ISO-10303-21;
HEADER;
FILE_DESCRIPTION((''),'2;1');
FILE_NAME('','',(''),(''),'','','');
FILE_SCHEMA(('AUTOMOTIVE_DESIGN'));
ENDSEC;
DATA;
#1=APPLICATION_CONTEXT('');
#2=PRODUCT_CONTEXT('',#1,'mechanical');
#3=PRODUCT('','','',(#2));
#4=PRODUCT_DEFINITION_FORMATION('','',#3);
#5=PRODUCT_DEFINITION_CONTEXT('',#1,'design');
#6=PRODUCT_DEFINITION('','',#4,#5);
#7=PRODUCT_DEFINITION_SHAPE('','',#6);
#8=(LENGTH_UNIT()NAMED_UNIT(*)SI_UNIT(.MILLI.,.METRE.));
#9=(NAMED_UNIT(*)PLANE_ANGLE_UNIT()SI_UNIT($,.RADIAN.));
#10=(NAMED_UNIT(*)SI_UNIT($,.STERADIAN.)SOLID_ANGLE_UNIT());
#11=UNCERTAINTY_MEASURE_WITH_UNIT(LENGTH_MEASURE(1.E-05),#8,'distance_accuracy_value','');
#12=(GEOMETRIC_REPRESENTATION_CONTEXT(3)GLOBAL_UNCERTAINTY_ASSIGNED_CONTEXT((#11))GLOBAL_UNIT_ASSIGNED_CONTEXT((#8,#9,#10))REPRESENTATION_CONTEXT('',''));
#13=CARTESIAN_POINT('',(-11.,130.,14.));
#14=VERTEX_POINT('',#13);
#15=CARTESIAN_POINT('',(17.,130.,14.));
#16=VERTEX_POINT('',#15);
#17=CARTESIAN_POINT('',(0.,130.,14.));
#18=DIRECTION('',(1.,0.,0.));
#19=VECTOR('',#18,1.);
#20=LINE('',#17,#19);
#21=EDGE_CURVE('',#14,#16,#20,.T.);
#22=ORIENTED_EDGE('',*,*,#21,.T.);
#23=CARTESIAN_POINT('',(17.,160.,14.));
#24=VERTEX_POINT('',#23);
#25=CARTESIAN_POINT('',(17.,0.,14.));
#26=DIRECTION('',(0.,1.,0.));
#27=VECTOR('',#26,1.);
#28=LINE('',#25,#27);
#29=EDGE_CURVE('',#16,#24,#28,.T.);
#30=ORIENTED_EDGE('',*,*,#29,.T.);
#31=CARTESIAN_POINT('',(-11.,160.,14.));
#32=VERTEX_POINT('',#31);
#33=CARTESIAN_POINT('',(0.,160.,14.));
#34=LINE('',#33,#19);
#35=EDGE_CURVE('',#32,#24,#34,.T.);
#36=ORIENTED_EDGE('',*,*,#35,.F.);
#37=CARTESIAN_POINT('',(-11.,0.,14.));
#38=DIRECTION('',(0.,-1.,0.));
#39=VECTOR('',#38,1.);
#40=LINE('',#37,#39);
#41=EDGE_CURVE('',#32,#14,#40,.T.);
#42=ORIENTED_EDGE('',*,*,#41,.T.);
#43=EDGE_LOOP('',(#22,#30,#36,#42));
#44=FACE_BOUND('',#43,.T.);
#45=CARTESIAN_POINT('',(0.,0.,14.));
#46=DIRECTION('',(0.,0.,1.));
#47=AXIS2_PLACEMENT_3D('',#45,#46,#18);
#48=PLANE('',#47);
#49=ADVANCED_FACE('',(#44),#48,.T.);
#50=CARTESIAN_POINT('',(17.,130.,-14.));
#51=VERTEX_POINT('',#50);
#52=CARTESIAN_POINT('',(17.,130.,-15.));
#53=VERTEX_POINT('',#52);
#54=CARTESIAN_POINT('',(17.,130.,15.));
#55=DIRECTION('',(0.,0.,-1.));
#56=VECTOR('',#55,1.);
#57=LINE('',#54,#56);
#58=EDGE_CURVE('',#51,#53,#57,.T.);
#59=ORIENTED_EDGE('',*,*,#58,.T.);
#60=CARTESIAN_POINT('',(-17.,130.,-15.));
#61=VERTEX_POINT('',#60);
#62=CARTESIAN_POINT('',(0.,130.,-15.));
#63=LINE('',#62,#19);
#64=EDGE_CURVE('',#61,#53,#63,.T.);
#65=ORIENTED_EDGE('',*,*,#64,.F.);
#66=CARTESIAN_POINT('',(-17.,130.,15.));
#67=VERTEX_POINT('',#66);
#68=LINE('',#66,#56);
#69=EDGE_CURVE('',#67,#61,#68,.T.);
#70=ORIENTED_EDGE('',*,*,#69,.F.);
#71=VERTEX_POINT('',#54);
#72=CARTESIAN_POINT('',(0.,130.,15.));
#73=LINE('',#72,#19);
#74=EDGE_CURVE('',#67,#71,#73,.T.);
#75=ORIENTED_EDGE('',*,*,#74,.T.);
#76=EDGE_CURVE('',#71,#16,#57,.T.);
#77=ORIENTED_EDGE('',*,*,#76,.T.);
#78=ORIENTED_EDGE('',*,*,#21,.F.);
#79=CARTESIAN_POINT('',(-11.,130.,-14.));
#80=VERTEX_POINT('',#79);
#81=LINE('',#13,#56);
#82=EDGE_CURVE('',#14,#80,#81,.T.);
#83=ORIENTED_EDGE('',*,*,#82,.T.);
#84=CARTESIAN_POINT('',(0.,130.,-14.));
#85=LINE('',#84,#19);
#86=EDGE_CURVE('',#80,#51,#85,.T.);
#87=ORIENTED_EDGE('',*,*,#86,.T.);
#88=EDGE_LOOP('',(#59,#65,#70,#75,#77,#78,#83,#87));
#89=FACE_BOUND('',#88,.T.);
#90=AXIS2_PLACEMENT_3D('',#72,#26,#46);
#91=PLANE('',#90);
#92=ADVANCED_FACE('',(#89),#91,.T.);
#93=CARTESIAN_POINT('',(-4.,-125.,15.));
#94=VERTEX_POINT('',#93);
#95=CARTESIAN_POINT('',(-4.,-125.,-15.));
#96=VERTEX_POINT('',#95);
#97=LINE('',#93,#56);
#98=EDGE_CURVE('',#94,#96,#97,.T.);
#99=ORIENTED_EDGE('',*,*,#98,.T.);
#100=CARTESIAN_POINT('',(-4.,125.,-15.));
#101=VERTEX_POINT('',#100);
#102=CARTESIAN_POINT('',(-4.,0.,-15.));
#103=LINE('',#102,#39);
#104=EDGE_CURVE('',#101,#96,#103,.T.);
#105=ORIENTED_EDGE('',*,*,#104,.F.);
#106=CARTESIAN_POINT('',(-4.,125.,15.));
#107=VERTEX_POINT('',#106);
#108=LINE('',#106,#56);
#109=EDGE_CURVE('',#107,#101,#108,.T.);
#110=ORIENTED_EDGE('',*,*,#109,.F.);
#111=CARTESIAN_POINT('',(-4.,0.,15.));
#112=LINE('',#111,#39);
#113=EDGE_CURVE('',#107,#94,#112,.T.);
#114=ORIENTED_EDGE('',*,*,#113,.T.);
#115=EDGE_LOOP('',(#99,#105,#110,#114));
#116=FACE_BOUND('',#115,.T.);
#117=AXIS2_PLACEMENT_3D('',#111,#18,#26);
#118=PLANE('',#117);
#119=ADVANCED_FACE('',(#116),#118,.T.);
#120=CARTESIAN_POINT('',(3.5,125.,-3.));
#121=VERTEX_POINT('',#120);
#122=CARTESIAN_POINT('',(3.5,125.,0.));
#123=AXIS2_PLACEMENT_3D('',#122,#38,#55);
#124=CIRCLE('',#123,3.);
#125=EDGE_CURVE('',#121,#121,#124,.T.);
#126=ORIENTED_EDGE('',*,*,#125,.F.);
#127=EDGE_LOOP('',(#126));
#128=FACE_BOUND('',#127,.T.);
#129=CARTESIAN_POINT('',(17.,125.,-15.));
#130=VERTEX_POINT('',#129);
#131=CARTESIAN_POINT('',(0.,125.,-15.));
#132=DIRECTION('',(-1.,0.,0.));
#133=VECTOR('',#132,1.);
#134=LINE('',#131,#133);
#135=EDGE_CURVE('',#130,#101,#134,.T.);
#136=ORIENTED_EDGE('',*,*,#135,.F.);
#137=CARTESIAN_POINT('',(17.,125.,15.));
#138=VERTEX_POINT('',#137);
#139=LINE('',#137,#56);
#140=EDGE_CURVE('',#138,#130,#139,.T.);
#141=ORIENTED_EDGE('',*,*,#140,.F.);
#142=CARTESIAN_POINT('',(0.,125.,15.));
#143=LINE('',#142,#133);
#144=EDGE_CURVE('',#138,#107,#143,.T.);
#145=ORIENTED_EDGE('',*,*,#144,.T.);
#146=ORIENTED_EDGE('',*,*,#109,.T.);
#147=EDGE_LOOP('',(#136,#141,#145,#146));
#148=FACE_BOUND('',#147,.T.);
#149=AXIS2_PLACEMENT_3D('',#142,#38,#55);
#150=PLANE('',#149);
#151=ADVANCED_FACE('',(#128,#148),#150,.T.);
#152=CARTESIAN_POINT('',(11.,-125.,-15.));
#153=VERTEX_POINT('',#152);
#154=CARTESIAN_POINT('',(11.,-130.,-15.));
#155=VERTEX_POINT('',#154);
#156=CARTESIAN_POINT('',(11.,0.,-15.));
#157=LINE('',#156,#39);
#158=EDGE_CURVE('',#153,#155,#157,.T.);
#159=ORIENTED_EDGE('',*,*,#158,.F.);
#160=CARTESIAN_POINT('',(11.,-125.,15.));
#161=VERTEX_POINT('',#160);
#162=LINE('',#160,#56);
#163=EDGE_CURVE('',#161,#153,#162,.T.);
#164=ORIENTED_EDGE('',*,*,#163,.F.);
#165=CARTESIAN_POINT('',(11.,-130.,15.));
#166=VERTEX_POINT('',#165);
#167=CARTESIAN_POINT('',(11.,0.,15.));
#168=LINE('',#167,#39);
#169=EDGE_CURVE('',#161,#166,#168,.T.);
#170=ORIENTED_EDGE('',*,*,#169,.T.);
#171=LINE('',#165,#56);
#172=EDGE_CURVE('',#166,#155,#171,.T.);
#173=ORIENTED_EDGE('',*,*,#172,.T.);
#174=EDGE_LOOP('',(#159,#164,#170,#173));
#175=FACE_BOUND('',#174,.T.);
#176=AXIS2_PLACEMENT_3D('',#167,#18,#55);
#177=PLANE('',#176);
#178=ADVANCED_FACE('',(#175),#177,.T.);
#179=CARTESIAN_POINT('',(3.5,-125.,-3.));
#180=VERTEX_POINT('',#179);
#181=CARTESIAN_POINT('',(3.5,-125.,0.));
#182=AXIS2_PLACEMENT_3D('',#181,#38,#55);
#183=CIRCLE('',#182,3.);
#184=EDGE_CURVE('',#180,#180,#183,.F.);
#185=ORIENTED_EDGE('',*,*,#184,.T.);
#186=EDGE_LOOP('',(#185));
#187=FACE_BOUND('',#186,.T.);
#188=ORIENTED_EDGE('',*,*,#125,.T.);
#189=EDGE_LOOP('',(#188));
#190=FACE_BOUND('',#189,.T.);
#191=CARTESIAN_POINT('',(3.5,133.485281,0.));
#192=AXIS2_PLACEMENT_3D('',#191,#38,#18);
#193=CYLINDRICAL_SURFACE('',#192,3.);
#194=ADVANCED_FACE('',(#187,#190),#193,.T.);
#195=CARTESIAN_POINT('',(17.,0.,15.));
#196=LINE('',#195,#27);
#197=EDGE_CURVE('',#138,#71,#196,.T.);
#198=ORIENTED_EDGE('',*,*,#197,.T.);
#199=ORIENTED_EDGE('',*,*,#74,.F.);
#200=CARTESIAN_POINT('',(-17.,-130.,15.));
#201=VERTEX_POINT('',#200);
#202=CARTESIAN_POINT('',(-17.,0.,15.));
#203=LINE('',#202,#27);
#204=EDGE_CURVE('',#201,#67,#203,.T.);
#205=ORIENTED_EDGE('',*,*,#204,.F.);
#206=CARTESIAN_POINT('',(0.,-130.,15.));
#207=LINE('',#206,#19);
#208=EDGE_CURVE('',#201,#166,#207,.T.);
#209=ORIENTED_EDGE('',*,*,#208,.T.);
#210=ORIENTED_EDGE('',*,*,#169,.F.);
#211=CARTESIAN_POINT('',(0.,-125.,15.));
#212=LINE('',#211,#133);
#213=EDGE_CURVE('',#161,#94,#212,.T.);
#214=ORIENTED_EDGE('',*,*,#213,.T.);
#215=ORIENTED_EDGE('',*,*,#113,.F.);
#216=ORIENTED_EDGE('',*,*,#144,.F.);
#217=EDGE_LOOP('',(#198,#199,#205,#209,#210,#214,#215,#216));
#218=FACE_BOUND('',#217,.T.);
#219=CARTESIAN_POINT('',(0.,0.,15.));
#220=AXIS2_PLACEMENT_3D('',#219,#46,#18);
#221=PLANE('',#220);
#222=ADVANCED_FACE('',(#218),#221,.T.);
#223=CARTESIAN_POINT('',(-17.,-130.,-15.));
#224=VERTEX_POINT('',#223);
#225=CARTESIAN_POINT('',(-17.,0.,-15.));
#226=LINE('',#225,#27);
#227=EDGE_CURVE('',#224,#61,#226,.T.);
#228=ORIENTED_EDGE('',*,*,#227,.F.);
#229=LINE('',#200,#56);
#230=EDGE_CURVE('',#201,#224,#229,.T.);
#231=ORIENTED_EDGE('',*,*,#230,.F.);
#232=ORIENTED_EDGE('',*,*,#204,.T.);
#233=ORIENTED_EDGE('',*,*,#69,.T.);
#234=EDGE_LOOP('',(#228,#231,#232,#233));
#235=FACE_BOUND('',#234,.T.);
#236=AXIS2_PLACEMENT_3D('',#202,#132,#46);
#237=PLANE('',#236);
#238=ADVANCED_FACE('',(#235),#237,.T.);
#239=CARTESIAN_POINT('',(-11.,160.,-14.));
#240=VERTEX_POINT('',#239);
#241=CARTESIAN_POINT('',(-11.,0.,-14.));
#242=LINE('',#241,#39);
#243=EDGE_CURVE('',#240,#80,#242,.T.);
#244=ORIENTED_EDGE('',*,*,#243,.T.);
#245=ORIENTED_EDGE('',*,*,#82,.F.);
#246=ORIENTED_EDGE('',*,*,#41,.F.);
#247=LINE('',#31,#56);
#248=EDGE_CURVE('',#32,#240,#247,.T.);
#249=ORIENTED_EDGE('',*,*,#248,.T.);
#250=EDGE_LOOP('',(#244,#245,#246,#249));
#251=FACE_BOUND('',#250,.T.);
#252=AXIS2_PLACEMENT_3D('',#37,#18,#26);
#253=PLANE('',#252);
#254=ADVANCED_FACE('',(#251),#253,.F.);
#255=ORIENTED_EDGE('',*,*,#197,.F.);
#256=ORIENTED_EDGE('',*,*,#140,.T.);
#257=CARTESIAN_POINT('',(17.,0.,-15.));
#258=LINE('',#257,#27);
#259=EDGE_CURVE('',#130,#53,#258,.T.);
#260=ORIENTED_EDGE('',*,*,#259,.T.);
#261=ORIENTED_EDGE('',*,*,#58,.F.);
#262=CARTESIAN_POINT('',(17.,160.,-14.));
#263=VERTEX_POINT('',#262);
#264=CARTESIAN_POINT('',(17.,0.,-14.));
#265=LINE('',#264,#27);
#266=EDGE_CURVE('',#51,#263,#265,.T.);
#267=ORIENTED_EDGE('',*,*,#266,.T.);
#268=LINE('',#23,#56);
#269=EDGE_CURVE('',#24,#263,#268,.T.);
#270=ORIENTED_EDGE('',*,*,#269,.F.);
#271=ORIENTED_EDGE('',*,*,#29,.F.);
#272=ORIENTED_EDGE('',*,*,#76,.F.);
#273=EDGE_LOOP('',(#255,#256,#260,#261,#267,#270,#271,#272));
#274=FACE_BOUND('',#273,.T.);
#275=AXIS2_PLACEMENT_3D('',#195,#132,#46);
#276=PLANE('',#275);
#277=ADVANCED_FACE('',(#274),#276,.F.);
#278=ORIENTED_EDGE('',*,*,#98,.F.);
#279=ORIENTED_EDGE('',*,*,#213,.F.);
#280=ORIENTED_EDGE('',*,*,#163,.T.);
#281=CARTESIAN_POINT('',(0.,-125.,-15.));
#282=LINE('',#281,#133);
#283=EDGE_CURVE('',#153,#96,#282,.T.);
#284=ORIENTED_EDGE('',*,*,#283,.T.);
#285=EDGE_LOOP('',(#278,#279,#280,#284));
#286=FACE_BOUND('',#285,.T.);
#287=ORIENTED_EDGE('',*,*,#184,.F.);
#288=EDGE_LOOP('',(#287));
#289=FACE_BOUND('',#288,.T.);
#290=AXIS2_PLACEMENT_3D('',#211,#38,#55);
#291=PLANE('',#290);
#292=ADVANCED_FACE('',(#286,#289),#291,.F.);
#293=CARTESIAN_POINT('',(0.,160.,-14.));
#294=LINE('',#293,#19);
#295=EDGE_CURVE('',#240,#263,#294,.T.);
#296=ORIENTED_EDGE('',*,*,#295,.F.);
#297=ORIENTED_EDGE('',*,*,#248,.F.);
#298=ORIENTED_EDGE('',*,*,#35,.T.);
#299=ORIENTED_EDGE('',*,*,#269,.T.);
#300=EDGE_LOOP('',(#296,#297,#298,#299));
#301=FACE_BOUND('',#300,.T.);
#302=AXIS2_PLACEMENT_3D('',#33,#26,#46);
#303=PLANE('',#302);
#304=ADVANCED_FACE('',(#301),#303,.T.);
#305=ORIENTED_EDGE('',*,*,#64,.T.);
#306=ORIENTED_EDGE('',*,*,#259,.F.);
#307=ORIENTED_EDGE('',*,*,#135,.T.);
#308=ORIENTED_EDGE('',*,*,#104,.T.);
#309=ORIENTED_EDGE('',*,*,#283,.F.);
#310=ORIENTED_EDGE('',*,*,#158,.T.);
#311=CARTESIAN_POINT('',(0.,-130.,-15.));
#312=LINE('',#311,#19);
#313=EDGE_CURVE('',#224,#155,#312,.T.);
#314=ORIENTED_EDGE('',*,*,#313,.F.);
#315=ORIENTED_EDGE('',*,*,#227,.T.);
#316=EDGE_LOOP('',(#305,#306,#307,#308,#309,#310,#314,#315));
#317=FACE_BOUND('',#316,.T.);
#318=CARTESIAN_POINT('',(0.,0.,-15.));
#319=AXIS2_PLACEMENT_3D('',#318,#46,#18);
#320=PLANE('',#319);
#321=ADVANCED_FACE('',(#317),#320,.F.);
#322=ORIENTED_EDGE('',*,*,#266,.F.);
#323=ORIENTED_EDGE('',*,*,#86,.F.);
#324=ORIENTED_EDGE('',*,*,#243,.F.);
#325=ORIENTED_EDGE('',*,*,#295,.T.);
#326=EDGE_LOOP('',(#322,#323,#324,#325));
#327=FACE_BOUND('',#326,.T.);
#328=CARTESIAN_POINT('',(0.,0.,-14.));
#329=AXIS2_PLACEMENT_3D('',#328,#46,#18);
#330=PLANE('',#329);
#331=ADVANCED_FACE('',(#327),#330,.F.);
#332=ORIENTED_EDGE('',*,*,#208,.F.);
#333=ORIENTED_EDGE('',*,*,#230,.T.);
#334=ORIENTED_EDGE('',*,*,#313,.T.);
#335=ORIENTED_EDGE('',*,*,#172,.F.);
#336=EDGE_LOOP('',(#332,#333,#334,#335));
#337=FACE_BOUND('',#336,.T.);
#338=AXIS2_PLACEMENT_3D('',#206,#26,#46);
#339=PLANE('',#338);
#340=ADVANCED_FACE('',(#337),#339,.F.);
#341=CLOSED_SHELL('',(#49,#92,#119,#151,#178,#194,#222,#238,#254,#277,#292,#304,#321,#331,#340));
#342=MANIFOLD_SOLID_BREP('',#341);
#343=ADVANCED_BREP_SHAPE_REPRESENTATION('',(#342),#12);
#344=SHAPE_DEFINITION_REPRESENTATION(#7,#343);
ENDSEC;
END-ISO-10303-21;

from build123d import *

# Parameters (mm, degrees)
SKETCH1_W           = 34
SKETCH1_H           = 5
SKETCH1_W_2         = 13
SKETCH1_H_2         = 250
BOSS_EXTRUDE1_DEPTH = 15
SKETCH1_3_W         = 28
SKETCH1_3_H         = 30
BOSS_EXTRUDE2_DEPTH = 14
SKETCH2_R           = 3
BOSS_EXTRUDE3_DEPTH = 250


with BuildPart() as part:
    # Sketch1 → Boss-Extrude1 (new, symmetric)
    with BuildSketch(Plane.XY):
        with Locations((0, 127.5)):
            Rectangle(SKETCH1_W, SKETCH1_H)
        with Locations((-10.5, 0)):
            Rectangle(SKETCH1_W_2, SKETCH1_H_2)
        Polygon((-4, -125), (-17, -125), (-17, -130), (11, -130), (11, -125), align=None)
    extrude(amount=BOSS_EXTRUDE1_DEPTH, both=True)

    # Sketch1<3> → Boss-Extrude2 (add, symmetric)
    with BuildSketch(Plane.XY):
        with Locations((3, 145)):
            Rectangle(SKETCH1_3_W, SKETCH1_3_H)
    extrude(amount=BOSS_EXTRUDE2_DEPTH, both=True)

    # Sketch2 → Boss-Extrude3 (add)
    with BuildSketch(Plane(origin=(0, -125, 0), x_dir=(1, 0, 0), z_dir=(0, 1, 0))):
        with Locations(Location((3.5, 0, 0), (0, 0, 90))):
            Circle(SKETCH2_R)
    extrude(amount=BOSS_EXTRUDE3_DEPTH)


solid = part.part
